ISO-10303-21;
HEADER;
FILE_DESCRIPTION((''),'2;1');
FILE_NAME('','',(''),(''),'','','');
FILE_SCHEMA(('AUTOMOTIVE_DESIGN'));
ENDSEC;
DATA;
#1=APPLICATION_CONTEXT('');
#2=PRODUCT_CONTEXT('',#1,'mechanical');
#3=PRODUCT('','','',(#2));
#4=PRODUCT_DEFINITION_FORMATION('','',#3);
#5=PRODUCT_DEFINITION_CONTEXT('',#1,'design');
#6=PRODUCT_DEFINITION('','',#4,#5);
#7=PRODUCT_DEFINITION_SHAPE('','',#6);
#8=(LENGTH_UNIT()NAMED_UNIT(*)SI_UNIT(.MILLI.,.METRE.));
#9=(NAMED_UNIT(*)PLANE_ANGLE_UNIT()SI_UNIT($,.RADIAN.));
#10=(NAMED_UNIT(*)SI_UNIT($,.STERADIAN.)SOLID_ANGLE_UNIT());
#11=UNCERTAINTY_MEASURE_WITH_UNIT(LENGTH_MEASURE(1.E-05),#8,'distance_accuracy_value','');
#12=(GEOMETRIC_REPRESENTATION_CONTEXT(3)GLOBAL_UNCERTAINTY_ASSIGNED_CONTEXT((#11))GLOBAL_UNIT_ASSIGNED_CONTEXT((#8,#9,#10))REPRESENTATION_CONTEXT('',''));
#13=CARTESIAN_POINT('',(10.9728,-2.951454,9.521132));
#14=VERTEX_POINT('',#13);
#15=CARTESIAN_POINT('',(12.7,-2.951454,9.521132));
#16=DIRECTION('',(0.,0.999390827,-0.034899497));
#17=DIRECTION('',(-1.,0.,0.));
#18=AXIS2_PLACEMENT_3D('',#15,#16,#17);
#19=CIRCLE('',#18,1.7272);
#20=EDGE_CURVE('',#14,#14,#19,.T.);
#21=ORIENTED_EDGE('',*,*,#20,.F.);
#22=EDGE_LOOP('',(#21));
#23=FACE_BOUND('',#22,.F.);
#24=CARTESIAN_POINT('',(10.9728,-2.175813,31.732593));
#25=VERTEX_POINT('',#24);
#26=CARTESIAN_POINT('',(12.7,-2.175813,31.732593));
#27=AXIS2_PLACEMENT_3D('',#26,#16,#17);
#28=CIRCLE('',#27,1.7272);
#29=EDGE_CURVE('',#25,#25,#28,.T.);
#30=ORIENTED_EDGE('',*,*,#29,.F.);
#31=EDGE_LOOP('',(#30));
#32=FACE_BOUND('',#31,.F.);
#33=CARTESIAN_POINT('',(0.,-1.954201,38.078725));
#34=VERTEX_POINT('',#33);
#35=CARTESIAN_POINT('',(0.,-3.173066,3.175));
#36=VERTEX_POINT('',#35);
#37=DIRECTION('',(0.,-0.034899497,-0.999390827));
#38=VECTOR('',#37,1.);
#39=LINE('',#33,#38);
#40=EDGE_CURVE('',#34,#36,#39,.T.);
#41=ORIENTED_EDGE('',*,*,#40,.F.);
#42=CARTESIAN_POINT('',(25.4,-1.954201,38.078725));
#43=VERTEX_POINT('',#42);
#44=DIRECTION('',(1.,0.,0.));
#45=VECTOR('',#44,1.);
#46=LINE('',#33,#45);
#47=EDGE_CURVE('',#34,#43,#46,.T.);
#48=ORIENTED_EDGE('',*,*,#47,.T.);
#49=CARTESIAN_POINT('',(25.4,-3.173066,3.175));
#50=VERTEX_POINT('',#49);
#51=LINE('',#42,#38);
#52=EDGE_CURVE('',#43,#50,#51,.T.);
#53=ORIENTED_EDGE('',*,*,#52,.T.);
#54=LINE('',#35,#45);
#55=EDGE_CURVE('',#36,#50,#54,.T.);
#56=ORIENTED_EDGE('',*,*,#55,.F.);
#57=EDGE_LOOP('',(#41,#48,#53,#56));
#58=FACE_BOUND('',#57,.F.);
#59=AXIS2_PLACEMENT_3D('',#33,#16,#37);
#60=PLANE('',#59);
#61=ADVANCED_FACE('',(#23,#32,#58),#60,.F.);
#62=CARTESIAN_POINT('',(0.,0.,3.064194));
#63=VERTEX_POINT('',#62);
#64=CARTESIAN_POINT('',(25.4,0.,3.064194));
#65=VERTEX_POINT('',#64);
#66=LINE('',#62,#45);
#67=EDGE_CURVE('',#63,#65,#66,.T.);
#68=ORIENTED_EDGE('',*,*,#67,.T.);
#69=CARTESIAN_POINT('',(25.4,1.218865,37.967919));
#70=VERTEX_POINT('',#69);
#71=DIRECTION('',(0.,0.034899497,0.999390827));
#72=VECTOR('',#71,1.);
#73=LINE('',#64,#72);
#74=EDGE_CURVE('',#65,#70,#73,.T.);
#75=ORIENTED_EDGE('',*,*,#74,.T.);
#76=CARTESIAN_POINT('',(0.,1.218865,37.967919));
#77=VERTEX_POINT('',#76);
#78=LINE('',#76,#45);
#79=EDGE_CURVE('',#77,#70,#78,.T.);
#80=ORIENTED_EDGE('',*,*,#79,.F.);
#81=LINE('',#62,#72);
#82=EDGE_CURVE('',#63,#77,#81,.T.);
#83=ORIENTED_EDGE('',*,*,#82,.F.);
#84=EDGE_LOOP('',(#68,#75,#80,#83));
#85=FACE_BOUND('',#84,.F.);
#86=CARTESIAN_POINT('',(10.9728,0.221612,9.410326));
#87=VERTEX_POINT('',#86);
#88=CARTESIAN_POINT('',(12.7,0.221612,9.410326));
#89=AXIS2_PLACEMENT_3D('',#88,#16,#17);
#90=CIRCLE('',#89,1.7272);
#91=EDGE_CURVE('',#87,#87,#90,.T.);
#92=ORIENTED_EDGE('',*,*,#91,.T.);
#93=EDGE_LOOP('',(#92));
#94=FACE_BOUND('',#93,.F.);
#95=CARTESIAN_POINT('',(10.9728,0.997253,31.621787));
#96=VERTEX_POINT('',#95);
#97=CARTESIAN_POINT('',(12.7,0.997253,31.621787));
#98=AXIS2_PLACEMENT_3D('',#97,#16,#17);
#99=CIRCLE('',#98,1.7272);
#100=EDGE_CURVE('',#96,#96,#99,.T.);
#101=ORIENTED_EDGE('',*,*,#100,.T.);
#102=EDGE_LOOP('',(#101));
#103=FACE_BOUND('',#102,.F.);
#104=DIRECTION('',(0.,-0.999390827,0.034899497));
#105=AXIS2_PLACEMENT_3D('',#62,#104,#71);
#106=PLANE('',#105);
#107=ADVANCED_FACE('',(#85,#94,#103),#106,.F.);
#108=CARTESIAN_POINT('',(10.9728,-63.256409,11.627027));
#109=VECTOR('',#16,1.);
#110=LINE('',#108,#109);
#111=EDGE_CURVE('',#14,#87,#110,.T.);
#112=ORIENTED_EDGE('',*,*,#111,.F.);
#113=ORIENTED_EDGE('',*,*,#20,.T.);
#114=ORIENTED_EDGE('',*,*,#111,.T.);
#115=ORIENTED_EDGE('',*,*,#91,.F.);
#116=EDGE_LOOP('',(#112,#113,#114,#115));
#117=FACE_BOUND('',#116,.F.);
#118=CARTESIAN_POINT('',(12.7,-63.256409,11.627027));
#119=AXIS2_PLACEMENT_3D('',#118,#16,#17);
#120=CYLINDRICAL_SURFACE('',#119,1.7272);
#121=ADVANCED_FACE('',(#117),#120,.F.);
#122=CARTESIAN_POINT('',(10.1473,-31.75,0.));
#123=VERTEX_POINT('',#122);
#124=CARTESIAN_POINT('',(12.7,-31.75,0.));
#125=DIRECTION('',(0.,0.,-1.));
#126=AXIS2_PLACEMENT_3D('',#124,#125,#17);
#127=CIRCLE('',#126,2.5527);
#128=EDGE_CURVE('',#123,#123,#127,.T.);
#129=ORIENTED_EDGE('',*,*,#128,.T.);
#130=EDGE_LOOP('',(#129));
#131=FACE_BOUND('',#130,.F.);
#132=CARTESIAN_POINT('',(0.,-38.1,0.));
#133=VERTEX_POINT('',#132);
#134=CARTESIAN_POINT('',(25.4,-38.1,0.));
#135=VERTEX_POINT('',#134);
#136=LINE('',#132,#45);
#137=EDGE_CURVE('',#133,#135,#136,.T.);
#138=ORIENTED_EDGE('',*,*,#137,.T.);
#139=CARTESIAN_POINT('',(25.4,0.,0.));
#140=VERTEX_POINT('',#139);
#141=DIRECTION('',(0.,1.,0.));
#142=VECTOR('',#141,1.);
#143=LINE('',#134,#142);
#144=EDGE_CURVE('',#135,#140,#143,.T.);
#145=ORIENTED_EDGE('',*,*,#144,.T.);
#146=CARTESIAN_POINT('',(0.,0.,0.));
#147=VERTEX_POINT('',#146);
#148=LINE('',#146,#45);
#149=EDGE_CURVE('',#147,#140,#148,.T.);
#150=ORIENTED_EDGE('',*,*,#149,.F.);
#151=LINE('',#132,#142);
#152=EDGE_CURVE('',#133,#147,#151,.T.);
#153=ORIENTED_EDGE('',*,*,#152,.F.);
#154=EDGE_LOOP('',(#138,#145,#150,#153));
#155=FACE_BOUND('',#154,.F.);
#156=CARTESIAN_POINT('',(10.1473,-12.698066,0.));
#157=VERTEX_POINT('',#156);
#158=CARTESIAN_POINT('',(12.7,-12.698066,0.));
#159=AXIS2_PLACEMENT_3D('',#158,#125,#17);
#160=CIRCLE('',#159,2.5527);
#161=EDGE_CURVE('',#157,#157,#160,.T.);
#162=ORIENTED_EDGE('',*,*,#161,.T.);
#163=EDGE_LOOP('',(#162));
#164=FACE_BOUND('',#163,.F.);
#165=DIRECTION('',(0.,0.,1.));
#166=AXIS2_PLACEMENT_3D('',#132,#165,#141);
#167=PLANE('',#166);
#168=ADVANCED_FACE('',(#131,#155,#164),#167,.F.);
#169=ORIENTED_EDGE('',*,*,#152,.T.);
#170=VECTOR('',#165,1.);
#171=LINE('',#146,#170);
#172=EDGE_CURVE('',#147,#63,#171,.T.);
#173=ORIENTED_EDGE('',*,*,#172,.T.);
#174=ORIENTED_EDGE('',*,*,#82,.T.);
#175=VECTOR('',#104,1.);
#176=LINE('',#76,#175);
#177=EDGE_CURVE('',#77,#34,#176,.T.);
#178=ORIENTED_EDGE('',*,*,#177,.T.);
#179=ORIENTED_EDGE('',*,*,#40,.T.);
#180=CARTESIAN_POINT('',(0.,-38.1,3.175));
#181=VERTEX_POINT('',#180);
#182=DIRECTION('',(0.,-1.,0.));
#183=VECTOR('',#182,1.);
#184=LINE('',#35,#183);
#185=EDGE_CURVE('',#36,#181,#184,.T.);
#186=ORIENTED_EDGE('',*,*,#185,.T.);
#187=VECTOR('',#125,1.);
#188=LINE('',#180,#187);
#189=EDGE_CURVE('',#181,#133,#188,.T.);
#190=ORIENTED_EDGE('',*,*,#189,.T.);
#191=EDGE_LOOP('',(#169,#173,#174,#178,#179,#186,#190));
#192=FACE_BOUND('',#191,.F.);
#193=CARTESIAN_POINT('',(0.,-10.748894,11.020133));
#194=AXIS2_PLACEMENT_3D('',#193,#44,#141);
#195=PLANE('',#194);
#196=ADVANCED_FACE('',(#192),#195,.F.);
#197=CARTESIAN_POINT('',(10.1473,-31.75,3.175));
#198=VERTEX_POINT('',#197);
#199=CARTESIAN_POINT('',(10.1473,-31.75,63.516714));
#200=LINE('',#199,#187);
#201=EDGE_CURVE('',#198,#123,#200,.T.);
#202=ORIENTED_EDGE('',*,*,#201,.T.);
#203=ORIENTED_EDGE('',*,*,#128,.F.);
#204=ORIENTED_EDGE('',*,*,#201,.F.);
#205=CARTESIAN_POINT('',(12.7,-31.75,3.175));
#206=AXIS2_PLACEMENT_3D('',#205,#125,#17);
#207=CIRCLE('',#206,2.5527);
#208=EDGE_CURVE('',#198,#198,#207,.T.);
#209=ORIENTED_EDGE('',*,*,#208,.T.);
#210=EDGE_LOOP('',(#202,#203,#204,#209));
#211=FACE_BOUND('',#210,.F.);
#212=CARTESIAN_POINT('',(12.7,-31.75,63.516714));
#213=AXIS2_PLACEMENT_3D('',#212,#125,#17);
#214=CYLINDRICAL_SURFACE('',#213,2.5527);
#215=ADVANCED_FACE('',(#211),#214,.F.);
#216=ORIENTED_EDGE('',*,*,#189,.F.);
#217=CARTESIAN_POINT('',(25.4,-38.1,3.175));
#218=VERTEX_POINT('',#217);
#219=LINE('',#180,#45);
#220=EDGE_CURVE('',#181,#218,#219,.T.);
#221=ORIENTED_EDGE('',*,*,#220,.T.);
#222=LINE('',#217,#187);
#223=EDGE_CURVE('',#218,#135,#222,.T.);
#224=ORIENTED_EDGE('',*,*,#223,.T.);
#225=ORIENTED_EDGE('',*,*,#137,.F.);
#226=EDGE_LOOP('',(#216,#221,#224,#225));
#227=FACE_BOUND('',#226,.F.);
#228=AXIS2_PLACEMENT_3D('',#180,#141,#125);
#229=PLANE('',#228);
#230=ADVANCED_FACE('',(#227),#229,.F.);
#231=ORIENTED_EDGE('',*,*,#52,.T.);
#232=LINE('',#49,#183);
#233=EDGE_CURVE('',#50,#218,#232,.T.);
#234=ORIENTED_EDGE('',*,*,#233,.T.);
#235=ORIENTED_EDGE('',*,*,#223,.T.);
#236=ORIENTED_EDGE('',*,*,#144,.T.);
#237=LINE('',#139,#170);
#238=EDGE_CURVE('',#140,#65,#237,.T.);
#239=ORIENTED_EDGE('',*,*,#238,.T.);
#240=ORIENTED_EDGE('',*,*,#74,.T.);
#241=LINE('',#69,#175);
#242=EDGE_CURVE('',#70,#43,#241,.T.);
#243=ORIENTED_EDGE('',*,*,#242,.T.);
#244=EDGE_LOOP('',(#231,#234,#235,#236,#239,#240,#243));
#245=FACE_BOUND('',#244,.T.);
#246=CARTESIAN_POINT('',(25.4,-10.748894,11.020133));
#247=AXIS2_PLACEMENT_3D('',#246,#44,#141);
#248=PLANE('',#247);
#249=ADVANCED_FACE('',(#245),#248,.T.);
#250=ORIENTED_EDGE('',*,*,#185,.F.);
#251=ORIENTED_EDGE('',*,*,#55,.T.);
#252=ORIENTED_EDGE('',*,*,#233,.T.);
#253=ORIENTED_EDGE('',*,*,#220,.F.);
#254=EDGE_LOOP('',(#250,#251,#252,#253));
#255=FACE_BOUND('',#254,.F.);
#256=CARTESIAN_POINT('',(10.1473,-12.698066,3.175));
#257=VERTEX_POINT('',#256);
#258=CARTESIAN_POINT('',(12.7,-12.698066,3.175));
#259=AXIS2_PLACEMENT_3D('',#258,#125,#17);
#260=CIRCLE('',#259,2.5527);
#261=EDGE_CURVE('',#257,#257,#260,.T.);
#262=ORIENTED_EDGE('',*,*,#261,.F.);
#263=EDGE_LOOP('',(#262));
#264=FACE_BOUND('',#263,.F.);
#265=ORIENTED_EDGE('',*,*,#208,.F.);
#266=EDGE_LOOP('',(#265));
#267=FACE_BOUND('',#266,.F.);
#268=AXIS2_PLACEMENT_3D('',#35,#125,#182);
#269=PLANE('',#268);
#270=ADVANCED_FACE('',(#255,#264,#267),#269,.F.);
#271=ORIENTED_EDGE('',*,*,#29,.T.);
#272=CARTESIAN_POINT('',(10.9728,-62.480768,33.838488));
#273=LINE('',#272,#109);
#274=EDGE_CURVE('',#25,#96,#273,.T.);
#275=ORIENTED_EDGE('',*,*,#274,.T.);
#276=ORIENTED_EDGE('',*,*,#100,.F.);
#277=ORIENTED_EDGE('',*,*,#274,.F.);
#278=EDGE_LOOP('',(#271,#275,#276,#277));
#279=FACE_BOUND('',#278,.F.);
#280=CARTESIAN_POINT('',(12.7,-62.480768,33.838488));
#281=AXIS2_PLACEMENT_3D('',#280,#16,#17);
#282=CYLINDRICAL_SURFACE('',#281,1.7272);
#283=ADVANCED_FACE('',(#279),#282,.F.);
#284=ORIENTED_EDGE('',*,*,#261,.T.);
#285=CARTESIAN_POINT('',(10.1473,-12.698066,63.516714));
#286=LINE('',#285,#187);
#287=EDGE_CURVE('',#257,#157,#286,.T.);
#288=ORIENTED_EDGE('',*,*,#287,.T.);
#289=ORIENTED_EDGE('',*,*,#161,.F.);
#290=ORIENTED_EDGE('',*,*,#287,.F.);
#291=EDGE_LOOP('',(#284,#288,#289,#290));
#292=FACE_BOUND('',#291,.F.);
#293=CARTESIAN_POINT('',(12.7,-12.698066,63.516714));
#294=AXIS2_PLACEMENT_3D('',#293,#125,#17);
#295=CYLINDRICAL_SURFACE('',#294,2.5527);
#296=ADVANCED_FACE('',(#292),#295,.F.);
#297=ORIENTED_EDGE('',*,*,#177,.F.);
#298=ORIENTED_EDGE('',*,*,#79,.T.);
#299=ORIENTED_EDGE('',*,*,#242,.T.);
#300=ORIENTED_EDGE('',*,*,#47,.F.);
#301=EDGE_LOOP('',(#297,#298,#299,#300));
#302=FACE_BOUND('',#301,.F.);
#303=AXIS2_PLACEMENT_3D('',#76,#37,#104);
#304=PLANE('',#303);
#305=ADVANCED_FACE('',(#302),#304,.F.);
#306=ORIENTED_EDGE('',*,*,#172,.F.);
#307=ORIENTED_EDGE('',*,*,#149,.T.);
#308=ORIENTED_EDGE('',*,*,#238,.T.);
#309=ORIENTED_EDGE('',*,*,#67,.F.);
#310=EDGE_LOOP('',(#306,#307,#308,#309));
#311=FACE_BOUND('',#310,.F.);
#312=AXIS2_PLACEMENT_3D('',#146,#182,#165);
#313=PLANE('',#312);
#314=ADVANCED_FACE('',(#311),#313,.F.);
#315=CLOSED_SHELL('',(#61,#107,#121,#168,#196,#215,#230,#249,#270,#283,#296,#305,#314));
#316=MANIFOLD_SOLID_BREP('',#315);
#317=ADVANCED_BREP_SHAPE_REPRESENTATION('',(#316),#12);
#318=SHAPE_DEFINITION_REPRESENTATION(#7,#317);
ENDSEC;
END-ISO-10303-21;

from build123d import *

# Parameters (mm, degrees)
F1_DEPTH = 25.4
F3_D     = 5.1054
F5_D     = 3.4544


with BuildPart() as f1:
    # F0 (on Right) → F1 (new body)
    with BuildSketch(Plane.YZ):
        Polygon((-38.1, 0), (0, 0), (0, 3.064194098), (1.2188649223, 37.9679187316), (-1.9542009535, 38.0787246336), (-3.1730658758, 3.175), (-38.1, 3.175), align=None)
    extrude(amount=F1_DEPTH)

    # F3 (through all)
    with Locations(Plane.XY.offset(3.175)):
        with Locations((12.7, -31.75), (12.7, -12.6980658758)):
            Hole(F3_D / 2)

    # F5 (through all)
    with Locations(Plane(origin=(0, -3.2799395634, 0.1145380134), x_dir=(1, 0, 0), z_dir=(0, -0.999390827, 0.0348994967))):
        with Locations((12.7, 9.4123274737), (12.7, 31.6373274737)):
            Hole(F5_D / 2)


solid = f1.part
